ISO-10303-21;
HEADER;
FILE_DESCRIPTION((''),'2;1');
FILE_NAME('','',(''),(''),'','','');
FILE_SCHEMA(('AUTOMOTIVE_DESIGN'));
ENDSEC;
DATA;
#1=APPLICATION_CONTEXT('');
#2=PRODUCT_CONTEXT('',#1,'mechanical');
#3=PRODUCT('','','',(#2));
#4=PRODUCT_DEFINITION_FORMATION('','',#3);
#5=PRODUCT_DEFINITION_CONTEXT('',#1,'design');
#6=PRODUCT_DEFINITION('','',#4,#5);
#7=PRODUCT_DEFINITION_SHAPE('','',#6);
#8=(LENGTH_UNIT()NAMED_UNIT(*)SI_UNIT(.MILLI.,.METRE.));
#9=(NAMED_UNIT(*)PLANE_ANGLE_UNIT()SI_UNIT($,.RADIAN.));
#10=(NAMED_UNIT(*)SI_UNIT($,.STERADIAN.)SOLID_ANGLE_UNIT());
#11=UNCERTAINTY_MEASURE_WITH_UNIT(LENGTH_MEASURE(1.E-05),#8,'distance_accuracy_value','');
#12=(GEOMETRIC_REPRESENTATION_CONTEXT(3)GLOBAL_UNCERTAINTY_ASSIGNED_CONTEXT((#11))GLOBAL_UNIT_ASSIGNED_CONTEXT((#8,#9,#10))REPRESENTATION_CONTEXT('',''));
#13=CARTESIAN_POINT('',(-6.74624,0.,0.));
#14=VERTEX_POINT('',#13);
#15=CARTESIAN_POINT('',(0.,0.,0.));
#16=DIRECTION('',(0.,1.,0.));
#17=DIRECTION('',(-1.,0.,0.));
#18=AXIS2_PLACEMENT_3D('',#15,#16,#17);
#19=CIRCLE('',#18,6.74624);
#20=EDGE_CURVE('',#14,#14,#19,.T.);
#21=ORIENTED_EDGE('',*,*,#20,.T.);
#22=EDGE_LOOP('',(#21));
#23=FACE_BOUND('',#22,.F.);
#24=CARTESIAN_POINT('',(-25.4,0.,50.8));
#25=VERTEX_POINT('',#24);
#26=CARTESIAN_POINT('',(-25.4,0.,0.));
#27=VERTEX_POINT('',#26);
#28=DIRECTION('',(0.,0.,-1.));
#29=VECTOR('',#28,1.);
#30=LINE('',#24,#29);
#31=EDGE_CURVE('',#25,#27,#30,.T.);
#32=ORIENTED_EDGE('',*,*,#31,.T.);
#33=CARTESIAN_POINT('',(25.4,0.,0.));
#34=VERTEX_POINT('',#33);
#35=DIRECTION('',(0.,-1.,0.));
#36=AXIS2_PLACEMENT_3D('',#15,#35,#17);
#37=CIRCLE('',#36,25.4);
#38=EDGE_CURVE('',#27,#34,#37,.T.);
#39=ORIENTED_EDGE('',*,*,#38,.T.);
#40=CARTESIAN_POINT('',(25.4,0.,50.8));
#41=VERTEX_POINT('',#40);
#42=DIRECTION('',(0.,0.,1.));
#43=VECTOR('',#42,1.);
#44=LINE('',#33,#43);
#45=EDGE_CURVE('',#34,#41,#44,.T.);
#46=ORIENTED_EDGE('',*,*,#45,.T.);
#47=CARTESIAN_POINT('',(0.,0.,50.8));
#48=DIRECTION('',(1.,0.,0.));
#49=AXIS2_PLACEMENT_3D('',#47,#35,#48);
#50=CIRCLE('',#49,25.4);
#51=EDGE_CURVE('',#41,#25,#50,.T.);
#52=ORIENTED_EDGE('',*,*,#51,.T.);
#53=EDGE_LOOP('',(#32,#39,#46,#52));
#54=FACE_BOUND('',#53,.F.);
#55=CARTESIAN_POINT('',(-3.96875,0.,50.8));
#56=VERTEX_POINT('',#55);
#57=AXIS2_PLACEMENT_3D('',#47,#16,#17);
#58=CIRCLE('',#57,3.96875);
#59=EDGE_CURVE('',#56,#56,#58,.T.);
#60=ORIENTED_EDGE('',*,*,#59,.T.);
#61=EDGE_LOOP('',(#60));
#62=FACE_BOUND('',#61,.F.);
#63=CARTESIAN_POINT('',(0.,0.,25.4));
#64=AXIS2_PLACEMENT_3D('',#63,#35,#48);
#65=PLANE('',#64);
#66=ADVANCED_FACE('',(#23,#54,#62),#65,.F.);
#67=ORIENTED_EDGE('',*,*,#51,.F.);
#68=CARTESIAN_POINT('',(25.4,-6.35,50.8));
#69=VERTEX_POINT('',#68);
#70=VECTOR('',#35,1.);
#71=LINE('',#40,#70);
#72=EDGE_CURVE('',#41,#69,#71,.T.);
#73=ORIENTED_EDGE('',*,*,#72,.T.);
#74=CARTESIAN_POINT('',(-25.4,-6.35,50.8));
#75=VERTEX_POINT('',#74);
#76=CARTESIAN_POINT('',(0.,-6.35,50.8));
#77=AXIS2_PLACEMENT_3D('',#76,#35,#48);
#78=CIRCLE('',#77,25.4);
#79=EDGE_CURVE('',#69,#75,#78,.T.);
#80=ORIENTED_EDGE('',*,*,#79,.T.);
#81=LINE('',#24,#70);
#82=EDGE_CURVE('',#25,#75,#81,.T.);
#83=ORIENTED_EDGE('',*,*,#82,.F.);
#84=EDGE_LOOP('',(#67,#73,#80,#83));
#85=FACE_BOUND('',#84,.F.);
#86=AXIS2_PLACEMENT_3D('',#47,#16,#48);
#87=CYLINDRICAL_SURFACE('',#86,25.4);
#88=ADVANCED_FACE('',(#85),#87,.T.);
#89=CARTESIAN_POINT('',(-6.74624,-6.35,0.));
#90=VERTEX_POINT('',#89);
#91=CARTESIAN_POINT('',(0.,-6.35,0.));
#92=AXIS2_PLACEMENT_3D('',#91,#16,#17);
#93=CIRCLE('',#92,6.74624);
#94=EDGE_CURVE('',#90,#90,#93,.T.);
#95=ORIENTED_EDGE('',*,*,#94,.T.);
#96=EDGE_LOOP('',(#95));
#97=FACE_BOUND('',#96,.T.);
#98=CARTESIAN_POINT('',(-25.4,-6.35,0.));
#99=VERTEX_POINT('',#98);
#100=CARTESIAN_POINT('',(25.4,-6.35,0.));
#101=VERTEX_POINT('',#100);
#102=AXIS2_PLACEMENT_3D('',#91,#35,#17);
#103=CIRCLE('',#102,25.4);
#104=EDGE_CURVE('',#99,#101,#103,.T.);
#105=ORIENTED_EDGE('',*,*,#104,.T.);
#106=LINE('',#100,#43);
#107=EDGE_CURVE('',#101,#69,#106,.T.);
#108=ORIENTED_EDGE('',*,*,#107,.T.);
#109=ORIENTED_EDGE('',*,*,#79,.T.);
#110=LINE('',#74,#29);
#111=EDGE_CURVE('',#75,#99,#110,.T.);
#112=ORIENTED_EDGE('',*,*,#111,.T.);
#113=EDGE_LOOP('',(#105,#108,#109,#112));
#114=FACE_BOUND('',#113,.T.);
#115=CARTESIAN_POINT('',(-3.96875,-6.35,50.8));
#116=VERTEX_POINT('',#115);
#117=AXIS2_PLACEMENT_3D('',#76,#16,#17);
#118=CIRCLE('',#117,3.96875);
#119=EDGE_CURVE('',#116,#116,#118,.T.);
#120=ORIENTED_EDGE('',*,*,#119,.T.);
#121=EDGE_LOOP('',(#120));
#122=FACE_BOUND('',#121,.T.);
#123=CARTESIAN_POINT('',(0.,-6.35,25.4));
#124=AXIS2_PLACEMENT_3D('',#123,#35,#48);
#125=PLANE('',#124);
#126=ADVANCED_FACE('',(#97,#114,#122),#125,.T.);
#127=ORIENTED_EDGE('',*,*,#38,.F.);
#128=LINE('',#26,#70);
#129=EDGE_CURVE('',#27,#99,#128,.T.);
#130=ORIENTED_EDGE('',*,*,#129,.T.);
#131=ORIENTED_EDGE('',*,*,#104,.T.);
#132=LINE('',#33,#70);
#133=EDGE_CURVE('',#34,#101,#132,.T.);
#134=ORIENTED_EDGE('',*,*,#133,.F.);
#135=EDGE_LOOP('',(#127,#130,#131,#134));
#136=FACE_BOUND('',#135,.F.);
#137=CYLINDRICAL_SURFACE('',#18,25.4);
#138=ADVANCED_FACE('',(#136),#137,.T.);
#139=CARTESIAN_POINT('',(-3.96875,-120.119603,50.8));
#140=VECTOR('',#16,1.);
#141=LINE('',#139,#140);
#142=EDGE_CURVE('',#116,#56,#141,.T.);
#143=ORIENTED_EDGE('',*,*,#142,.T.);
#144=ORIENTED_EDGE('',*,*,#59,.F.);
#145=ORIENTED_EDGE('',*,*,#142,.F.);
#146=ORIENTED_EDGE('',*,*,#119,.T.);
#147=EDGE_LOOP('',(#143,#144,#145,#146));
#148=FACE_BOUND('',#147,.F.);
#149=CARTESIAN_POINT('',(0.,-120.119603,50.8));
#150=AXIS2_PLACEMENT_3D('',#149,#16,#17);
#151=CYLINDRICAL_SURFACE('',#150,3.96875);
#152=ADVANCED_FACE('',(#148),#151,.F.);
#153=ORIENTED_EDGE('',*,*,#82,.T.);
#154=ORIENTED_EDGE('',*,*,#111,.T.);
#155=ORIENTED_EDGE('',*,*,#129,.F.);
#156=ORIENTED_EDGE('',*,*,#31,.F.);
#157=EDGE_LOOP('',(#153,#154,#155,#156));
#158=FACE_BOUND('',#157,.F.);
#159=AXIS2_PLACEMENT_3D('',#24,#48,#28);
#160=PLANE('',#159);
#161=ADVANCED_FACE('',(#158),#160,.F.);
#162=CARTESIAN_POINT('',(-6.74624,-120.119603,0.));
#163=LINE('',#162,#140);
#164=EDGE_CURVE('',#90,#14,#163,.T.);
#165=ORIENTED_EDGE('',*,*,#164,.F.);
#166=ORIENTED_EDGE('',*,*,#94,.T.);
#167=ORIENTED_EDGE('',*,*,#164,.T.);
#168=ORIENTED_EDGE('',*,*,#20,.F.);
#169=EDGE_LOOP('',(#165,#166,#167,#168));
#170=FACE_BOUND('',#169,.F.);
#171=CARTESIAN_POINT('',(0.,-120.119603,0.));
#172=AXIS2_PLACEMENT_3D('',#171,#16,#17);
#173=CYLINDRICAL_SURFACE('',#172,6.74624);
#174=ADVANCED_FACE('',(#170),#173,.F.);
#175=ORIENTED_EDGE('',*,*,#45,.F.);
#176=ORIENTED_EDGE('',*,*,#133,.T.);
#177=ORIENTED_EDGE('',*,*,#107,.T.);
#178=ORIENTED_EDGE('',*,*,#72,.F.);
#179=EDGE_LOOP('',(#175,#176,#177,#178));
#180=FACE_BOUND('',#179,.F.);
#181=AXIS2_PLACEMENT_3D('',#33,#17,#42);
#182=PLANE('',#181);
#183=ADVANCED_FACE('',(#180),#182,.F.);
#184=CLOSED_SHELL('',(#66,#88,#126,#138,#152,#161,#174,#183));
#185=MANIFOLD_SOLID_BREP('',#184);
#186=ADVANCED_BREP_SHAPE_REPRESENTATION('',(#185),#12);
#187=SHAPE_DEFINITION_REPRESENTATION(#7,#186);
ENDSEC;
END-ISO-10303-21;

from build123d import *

# Parameters (mm, degrees)
F1_DEPTH = 6.35
F3_D     = 7.9375
F5_D     = 13.49248


with BuildPart() as f1:
    # F0 (on Front) → F1 (new body)
    with BuildSketch(Plane.XZ):
        with BuildLine():
            Line((-25.4, 50.8), (-25.4, 0))
            ThreePointArc((-25.4, 0), (0, -25.4), (25.4, 0))
            Line((25.4, 0), (25.4, 50.8))
            ThreePointArc((25.4, 50.8), (0, 76.2), (-25.4, 50.8))
        make_face()
    extrude(amount=F1_DEPTH)

    # F3 (through all)
    with Locations(Plane.XZ.offset(6.35)):
        with Locations((0, 50.8)):
            Hole(F3_D / 2)

    # F5 (through all)
    with Locations(Plane.XZ.offset(6.35)):
        with Locations((0, 0)):
            Hole(F5_D / 2)


solid = f1.part
